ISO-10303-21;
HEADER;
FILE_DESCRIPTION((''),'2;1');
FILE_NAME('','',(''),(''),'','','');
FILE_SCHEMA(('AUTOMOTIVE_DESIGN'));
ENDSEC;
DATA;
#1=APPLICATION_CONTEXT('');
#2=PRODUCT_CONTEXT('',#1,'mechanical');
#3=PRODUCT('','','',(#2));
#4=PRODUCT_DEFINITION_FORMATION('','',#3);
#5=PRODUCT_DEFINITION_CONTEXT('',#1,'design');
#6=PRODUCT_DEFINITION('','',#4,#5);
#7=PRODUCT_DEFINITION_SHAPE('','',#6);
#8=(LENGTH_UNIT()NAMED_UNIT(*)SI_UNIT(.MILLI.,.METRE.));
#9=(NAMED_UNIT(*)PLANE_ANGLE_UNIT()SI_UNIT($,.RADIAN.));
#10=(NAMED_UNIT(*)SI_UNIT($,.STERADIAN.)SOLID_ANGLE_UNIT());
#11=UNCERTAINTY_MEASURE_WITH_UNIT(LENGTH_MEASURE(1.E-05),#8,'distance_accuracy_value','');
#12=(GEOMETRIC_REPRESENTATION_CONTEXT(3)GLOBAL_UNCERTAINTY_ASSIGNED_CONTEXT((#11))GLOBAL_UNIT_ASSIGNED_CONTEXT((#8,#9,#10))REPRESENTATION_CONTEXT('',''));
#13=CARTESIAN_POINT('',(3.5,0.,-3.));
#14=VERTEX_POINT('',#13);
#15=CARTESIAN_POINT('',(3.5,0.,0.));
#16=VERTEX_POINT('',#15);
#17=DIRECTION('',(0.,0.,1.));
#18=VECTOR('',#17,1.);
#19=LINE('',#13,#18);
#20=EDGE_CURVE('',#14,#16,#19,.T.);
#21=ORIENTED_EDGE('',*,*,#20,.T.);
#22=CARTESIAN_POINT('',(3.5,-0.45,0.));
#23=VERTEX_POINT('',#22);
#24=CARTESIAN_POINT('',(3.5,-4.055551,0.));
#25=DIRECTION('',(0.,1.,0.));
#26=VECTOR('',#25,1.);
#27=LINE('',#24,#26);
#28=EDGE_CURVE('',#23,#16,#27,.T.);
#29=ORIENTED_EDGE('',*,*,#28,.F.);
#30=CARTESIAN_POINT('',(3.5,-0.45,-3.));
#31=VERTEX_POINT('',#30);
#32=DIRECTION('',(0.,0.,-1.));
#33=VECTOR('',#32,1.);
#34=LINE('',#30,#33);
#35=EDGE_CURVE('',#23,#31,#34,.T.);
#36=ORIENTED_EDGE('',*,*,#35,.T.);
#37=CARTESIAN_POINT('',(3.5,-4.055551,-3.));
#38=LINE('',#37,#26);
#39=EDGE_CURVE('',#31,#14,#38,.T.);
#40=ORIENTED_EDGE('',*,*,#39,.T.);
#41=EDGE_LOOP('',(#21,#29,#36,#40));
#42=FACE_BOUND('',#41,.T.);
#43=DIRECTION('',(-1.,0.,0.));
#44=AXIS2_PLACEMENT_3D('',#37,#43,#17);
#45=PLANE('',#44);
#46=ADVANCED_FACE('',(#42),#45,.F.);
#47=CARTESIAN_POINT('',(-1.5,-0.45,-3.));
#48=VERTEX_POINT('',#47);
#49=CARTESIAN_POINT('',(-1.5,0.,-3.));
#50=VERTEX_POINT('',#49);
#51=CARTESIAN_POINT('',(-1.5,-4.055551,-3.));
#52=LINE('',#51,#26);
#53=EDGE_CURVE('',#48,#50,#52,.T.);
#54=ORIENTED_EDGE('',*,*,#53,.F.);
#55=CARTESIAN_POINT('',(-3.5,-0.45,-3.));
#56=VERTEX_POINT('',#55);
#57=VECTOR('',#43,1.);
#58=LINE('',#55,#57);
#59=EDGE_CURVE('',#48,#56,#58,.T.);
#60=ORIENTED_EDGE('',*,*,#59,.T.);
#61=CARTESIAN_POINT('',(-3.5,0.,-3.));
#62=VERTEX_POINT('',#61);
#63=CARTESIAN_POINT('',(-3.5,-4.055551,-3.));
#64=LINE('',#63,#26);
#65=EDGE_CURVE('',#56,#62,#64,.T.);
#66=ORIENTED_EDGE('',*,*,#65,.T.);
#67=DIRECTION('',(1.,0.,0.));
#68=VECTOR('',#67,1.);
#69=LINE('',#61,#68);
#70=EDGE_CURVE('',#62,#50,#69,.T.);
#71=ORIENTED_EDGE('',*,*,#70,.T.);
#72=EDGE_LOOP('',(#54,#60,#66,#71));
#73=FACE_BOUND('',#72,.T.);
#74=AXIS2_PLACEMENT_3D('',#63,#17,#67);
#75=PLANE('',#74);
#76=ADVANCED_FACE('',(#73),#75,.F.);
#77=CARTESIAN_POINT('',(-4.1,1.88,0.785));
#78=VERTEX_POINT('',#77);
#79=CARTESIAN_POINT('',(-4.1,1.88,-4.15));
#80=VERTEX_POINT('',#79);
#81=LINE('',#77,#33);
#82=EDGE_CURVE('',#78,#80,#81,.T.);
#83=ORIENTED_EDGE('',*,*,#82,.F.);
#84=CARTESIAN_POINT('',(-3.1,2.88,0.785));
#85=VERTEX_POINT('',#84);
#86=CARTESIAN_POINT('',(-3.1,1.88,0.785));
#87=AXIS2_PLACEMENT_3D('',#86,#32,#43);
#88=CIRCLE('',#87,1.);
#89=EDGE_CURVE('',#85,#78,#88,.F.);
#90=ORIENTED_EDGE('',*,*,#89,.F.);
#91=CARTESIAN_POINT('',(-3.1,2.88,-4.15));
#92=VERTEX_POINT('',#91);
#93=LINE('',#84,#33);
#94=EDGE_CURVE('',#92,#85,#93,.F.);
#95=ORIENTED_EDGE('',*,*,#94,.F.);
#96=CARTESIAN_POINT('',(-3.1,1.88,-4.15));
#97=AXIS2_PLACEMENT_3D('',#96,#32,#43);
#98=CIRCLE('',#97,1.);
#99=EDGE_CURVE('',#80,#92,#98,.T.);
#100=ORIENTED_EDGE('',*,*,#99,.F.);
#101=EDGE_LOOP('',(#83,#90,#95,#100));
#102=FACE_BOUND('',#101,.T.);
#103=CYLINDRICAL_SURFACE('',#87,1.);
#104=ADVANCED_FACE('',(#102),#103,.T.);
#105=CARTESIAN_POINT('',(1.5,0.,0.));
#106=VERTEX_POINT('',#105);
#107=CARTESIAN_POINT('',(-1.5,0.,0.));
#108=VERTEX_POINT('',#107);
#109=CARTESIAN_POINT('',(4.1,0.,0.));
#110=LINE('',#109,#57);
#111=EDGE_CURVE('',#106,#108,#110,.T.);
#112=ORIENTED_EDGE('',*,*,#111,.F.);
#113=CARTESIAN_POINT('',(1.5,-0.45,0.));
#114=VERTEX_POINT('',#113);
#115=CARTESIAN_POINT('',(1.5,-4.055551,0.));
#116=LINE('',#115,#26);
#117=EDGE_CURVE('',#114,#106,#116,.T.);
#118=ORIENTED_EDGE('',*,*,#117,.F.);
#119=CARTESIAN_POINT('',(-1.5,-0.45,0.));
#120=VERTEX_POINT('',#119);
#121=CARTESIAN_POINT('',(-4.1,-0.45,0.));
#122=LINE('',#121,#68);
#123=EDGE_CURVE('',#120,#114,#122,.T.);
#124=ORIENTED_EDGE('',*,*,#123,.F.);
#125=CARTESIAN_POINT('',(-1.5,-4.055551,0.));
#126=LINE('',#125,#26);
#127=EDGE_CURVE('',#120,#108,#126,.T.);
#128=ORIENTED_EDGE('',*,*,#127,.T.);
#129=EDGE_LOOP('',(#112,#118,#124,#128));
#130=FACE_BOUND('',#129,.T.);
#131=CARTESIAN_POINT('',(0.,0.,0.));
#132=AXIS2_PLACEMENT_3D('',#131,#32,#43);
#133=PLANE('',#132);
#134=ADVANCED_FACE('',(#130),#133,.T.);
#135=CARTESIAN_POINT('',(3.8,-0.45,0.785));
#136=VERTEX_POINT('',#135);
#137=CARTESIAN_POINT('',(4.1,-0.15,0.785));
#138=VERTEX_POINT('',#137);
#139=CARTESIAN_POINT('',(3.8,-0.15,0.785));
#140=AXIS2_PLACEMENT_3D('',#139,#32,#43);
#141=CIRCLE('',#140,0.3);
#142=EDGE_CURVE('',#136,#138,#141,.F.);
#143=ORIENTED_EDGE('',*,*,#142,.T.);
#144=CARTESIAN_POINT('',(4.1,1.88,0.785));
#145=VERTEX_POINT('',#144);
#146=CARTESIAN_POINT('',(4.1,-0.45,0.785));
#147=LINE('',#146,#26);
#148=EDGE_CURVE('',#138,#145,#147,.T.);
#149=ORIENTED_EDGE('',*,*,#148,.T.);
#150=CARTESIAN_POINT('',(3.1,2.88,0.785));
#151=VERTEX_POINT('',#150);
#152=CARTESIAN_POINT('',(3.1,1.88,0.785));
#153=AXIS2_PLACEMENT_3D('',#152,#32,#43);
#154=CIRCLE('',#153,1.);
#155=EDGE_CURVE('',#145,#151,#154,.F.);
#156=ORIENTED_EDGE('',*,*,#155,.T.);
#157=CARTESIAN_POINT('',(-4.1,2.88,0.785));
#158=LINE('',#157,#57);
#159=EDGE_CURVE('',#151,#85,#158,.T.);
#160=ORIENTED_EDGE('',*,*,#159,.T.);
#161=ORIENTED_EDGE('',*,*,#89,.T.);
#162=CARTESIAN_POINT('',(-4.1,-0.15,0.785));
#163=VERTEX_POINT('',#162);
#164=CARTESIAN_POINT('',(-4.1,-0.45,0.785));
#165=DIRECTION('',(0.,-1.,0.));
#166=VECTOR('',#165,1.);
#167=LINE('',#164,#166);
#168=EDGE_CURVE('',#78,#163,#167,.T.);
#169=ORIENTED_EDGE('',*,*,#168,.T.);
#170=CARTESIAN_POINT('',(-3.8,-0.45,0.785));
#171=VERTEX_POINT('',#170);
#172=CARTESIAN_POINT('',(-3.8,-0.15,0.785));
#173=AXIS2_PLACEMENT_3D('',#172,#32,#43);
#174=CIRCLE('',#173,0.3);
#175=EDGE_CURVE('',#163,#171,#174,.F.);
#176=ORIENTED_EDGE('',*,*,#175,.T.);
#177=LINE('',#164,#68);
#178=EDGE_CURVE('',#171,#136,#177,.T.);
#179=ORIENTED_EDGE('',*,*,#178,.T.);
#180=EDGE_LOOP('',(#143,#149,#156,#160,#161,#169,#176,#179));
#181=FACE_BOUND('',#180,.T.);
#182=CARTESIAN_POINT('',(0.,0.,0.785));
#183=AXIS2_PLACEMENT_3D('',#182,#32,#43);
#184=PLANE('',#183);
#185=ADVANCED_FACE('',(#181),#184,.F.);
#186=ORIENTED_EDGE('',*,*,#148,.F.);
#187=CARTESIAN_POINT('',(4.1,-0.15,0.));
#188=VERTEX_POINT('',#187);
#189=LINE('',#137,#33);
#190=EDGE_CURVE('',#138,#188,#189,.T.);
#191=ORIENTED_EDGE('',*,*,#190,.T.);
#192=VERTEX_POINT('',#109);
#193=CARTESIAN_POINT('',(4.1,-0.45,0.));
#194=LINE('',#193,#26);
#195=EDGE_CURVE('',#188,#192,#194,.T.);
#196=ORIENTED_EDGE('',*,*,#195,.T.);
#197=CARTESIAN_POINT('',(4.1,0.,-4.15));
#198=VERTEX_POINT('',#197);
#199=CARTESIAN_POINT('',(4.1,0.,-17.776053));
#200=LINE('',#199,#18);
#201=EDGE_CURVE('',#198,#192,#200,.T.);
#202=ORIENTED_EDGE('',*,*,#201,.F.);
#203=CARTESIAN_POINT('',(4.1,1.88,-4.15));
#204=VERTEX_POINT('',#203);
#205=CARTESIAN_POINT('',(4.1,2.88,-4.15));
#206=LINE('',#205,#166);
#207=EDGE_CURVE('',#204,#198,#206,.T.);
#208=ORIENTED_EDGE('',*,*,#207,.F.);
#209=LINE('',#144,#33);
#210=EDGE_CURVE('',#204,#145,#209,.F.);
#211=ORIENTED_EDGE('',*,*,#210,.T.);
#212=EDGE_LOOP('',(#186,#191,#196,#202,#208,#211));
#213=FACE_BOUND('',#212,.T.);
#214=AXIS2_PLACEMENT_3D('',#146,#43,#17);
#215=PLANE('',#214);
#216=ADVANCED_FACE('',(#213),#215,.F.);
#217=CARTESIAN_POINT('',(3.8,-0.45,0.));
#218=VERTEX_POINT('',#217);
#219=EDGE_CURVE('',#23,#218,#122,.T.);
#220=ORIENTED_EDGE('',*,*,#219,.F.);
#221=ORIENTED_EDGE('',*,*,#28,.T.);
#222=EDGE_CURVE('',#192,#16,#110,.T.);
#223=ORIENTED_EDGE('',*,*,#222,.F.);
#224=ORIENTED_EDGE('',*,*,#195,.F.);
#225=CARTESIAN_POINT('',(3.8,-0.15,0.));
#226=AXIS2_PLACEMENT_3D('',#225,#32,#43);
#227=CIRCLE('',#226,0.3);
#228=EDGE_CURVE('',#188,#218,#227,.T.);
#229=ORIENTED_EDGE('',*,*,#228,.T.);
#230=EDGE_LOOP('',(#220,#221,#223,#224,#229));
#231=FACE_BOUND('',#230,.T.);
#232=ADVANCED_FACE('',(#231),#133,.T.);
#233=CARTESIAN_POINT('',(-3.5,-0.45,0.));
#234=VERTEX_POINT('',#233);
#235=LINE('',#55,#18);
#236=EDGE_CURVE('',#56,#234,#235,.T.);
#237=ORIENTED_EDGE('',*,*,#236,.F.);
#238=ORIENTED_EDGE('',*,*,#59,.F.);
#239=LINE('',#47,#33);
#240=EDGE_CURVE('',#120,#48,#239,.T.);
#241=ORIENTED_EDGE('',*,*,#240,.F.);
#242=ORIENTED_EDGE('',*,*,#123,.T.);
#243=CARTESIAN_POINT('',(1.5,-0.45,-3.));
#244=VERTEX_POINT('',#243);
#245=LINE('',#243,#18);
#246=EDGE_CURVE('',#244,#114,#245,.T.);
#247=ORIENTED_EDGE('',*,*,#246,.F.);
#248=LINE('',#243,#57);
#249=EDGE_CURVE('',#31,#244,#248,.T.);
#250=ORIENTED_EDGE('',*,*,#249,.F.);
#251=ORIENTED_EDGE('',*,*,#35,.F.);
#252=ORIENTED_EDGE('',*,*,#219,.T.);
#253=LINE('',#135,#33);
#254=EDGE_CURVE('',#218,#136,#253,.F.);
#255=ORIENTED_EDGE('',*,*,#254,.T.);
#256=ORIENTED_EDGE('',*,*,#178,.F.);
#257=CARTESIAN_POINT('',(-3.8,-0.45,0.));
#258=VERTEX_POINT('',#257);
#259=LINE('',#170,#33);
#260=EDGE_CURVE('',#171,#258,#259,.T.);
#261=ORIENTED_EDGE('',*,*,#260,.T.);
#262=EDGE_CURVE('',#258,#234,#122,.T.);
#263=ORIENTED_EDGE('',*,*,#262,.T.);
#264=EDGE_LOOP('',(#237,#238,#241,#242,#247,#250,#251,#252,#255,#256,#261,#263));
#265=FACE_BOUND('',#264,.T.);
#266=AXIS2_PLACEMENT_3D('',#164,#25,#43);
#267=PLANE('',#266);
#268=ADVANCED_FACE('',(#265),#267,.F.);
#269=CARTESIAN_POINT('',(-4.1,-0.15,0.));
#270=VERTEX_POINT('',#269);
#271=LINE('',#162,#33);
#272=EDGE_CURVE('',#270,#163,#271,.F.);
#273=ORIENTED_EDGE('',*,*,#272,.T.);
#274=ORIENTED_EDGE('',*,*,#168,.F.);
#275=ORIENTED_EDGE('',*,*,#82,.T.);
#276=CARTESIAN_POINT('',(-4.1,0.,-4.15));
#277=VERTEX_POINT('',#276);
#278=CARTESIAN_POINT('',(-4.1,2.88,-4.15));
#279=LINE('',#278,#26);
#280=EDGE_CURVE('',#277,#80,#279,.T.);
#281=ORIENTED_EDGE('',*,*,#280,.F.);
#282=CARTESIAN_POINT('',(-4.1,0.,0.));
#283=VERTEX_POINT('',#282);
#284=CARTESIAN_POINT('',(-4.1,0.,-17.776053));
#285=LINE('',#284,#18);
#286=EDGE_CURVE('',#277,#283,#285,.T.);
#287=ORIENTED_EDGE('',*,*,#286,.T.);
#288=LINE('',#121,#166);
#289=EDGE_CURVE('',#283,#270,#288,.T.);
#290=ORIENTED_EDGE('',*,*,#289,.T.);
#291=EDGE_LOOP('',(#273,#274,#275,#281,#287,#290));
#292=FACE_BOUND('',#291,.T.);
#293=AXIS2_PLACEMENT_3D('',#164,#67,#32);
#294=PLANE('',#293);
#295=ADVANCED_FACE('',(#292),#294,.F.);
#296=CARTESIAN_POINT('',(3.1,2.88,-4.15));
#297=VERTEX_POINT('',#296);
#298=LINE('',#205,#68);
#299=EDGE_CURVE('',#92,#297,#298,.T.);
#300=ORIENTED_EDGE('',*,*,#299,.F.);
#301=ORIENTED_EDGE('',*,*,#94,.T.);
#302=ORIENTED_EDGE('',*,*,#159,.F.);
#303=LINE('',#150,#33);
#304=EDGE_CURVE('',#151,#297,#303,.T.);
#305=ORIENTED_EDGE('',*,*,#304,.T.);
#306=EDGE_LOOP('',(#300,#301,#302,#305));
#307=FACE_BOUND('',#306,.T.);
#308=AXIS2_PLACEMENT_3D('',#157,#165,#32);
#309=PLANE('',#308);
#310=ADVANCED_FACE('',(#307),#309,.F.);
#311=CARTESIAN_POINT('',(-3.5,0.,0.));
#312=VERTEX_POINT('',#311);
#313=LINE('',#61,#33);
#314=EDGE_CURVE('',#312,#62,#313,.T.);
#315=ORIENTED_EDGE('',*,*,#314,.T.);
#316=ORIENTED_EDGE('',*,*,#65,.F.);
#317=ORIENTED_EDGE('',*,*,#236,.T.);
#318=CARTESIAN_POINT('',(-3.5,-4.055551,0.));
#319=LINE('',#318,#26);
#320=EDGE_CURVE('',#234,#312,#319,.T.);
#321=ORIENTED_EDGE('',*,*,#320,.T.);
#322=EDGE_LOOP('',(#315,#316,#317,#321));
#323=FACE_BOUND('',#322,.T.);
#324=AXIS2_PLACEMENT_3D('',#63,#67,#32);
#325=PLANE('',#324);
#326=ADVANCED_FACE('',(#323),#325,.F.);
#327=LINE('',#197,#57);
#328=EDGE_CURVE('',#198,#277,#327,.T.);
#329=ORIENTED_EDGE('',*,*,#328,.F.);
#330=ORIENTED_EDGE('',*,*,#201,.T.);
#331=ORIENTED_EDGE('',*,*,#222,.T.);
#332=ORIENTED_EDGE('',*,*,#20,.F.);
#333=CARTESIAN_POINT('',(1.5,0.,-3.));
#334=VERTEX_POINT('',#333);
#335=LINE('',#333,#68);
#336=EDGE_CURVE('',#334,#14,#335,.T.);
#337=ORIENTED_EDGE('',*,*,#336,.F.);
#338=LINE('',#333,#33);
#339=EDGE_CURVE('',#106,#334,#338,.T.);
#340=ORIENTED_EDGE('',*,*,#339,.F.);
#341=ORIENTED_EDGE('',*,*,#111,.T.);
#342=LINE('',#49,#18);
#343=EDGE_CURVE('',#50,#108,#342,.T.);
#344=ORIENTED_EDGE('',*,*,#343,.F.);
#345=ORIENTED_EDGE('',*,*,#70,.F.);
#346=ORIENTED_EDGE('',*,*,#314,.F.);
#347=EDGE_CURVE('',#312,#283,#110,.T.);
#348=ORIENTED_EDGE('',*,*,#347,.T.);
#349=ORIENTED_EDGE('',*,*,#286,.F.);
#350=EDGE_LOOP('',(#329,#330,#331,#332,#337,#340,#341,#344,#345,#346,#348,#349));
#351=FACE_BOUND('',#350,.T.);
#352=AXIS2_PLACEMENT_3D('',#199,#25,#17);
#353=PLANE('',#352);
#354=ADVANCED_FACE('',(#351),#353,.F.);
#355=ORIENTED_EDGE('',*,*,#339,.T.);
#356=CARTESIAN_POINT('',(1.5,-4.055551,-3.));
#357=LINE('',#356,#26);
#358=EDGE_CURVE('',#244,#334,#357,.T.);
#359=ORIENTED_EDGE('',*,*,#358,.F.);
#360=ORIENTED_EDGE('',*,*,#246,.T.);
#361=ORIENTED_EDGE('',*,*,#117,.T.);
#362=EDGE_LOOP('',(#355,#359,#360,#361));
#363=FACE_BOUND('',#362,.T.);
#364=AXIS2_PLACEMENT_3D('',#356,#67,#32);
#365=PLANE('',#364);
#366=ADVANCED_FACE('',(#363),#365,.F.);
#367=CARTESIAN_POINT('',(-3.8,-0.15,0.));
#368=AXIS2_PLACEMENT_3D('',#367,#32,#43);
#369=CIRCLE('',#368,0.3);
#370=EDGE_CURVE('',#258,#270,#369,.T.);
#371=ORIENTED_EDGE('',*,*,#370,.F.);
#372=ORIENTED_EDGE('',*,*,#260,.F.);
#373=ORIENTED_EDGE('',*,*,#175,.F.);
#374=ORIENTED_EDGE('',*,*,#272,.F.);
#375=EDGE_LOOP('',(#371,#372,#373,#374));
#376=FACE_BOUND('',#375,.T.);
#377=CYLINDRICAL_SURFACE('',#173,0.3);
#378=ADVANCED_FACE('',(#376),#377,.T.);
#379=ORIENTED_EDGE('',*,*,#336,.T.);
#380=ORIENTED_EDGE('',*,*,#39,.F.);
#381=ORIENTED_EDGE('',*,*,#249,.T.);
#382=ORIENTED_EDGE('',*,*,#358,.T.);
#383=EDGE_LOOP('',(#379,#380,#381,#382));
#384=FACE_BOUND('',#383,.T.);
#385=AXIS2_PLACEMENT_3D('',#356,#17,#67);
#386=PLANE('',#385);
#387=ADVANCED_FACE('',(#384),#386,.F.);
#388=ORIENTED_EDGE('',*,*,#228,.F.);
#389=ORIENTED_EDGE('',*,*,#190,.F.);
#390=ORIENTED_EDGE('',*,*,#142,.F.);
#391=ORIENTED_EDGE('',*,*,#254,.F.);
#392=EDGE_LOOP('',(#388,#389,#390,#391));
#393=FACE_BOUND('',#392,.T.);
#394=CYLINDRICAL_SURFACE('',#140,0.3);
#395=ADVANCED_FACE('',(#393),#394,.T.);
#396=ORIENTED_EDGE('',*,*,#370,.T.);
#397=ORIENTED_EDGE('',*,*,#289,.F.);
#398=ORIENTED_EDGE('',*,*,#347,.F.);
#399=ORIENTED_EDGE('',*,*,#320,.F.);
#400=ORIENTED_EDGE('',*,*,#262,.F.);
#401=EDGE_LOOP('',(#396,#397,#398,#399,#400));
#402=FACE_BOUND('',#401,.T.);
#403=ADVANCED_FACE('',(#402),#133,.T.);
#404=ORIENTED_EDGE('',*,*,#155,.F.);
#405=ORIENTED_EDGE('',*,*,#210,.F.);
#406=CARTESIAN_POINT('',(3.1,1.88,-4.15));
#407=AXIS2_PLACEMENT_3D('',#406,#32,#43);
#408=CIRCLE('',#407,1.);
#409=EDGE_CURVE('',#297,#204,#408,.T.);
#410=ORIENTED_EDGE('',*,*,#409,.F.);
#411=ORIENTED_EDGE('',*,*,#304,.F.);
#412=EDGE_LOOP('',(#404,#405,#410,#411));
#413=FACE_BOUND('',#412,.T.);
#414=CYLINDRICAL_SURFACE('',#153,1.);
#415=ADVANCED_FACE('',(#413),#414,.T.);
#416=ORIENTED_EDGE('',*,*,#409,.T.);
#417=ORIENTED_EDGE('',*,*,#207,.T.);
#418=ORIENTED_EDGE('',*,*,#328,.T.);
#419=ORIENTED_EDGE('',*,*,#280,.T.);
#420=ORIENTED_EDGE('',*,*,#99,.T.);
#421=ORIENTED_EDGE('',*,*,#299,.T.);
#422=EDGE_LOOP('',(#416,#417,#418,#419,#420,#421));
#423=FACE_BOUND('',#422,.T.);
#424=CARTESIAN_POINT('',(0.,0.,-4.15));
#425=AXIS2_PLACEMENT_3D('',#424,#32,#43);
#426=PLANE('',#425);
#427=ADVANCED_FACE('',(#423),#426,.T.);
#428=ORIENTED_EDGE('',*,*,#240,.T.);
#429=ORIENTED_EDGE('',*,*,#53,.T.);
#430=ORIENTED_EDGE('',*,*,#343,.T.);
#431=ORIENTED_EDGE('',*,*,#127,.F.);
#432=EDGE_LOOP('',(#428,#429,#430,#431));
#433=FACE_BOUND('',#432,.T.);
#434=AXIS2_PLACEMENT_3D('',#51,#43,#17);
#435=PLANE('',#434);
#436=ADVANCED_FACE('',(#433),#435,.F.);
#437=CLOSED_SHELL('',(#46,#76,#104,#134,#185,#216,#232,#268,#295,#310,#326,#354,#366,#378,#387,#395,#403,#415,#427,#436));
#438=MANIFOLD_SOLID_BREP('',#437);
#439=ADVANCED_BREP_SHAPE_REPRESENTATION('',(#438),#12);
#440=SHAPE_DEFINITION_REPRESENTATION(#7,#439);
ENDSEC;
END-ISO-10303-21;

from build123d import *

# Parameters (mm, degrees)
SKETCH1_W           = 8.2
SKETCH1_H           = 3.33
BOSS_EXTRUDE1_DEPTH = 0.785
SKETCH2_W           = 8.2
SKETCH2_H           = 2.88
BOSS_EXTRUDE2_DEPTH = 4.15
FILLET1_R           = 1
FILLET2_R           = 0.3
SKETCH3_W           = 2
SKETCH3_H           = 3
BOSS_EXTRUDE3_DEPTH = 0.45


with BuildPart() as part:
    # Sketch1 → Boss-Extrude1 (new body)
    with BuildSketch(Plane.XY):
        with Locations((0, 1.215)):
            Rectangle(SKETCH1_W, SKETCH1_H)
    extrude(amount=BOSS_EXTRUDE1_DEPTH)

    # Sketch2 → Boss-Extrude2 (add)
    with BuildSketch(Plane(origin=(0, 0, 0), x_dir=(-1, 0, 0), z_dir=(0, 0, -1))):
        with Locations((0, 1.44)):
            Rectangle(SKETCH2_W, SKETCH2_H)
    extrude(amount=BOSS_EXTRUDE2_DEPTH)

    # Fillet1
    fillet1_edges = [part.edges().sort_by_distance(p)[0] for p in [
        (-4.1, 2.88, -1.6825),
        (4.1, 2.88, -1.6825),
    ]]
    fillet(fillet1_edges, radius=FILLET1_R)

    # Fillet2
    fillet2_edges = [part.edges().sort_by_distance(p)[0] for p in [
        (4.1, -0.45, 0.3925),
        (-4.1, -0.45, 0.3925),
    ]]
    fillet(fillet2_edges, radius=FILLET2_R)

    # Sketch3 → Boss-Extrude3 (add)
    with BuildSketch(Plane.XZ):
        with Locations((2.5, -1.5)):
            Rectangle(SKETCH3_W, SKETCH3_H)
        with Locations((-2.5, -1.5)):
            Rectangle(SKETCH3_W, SKETCH3_H)
    extrude(amount=BOSS_EXTRUDE3_DEPTH)


solid = part.part
